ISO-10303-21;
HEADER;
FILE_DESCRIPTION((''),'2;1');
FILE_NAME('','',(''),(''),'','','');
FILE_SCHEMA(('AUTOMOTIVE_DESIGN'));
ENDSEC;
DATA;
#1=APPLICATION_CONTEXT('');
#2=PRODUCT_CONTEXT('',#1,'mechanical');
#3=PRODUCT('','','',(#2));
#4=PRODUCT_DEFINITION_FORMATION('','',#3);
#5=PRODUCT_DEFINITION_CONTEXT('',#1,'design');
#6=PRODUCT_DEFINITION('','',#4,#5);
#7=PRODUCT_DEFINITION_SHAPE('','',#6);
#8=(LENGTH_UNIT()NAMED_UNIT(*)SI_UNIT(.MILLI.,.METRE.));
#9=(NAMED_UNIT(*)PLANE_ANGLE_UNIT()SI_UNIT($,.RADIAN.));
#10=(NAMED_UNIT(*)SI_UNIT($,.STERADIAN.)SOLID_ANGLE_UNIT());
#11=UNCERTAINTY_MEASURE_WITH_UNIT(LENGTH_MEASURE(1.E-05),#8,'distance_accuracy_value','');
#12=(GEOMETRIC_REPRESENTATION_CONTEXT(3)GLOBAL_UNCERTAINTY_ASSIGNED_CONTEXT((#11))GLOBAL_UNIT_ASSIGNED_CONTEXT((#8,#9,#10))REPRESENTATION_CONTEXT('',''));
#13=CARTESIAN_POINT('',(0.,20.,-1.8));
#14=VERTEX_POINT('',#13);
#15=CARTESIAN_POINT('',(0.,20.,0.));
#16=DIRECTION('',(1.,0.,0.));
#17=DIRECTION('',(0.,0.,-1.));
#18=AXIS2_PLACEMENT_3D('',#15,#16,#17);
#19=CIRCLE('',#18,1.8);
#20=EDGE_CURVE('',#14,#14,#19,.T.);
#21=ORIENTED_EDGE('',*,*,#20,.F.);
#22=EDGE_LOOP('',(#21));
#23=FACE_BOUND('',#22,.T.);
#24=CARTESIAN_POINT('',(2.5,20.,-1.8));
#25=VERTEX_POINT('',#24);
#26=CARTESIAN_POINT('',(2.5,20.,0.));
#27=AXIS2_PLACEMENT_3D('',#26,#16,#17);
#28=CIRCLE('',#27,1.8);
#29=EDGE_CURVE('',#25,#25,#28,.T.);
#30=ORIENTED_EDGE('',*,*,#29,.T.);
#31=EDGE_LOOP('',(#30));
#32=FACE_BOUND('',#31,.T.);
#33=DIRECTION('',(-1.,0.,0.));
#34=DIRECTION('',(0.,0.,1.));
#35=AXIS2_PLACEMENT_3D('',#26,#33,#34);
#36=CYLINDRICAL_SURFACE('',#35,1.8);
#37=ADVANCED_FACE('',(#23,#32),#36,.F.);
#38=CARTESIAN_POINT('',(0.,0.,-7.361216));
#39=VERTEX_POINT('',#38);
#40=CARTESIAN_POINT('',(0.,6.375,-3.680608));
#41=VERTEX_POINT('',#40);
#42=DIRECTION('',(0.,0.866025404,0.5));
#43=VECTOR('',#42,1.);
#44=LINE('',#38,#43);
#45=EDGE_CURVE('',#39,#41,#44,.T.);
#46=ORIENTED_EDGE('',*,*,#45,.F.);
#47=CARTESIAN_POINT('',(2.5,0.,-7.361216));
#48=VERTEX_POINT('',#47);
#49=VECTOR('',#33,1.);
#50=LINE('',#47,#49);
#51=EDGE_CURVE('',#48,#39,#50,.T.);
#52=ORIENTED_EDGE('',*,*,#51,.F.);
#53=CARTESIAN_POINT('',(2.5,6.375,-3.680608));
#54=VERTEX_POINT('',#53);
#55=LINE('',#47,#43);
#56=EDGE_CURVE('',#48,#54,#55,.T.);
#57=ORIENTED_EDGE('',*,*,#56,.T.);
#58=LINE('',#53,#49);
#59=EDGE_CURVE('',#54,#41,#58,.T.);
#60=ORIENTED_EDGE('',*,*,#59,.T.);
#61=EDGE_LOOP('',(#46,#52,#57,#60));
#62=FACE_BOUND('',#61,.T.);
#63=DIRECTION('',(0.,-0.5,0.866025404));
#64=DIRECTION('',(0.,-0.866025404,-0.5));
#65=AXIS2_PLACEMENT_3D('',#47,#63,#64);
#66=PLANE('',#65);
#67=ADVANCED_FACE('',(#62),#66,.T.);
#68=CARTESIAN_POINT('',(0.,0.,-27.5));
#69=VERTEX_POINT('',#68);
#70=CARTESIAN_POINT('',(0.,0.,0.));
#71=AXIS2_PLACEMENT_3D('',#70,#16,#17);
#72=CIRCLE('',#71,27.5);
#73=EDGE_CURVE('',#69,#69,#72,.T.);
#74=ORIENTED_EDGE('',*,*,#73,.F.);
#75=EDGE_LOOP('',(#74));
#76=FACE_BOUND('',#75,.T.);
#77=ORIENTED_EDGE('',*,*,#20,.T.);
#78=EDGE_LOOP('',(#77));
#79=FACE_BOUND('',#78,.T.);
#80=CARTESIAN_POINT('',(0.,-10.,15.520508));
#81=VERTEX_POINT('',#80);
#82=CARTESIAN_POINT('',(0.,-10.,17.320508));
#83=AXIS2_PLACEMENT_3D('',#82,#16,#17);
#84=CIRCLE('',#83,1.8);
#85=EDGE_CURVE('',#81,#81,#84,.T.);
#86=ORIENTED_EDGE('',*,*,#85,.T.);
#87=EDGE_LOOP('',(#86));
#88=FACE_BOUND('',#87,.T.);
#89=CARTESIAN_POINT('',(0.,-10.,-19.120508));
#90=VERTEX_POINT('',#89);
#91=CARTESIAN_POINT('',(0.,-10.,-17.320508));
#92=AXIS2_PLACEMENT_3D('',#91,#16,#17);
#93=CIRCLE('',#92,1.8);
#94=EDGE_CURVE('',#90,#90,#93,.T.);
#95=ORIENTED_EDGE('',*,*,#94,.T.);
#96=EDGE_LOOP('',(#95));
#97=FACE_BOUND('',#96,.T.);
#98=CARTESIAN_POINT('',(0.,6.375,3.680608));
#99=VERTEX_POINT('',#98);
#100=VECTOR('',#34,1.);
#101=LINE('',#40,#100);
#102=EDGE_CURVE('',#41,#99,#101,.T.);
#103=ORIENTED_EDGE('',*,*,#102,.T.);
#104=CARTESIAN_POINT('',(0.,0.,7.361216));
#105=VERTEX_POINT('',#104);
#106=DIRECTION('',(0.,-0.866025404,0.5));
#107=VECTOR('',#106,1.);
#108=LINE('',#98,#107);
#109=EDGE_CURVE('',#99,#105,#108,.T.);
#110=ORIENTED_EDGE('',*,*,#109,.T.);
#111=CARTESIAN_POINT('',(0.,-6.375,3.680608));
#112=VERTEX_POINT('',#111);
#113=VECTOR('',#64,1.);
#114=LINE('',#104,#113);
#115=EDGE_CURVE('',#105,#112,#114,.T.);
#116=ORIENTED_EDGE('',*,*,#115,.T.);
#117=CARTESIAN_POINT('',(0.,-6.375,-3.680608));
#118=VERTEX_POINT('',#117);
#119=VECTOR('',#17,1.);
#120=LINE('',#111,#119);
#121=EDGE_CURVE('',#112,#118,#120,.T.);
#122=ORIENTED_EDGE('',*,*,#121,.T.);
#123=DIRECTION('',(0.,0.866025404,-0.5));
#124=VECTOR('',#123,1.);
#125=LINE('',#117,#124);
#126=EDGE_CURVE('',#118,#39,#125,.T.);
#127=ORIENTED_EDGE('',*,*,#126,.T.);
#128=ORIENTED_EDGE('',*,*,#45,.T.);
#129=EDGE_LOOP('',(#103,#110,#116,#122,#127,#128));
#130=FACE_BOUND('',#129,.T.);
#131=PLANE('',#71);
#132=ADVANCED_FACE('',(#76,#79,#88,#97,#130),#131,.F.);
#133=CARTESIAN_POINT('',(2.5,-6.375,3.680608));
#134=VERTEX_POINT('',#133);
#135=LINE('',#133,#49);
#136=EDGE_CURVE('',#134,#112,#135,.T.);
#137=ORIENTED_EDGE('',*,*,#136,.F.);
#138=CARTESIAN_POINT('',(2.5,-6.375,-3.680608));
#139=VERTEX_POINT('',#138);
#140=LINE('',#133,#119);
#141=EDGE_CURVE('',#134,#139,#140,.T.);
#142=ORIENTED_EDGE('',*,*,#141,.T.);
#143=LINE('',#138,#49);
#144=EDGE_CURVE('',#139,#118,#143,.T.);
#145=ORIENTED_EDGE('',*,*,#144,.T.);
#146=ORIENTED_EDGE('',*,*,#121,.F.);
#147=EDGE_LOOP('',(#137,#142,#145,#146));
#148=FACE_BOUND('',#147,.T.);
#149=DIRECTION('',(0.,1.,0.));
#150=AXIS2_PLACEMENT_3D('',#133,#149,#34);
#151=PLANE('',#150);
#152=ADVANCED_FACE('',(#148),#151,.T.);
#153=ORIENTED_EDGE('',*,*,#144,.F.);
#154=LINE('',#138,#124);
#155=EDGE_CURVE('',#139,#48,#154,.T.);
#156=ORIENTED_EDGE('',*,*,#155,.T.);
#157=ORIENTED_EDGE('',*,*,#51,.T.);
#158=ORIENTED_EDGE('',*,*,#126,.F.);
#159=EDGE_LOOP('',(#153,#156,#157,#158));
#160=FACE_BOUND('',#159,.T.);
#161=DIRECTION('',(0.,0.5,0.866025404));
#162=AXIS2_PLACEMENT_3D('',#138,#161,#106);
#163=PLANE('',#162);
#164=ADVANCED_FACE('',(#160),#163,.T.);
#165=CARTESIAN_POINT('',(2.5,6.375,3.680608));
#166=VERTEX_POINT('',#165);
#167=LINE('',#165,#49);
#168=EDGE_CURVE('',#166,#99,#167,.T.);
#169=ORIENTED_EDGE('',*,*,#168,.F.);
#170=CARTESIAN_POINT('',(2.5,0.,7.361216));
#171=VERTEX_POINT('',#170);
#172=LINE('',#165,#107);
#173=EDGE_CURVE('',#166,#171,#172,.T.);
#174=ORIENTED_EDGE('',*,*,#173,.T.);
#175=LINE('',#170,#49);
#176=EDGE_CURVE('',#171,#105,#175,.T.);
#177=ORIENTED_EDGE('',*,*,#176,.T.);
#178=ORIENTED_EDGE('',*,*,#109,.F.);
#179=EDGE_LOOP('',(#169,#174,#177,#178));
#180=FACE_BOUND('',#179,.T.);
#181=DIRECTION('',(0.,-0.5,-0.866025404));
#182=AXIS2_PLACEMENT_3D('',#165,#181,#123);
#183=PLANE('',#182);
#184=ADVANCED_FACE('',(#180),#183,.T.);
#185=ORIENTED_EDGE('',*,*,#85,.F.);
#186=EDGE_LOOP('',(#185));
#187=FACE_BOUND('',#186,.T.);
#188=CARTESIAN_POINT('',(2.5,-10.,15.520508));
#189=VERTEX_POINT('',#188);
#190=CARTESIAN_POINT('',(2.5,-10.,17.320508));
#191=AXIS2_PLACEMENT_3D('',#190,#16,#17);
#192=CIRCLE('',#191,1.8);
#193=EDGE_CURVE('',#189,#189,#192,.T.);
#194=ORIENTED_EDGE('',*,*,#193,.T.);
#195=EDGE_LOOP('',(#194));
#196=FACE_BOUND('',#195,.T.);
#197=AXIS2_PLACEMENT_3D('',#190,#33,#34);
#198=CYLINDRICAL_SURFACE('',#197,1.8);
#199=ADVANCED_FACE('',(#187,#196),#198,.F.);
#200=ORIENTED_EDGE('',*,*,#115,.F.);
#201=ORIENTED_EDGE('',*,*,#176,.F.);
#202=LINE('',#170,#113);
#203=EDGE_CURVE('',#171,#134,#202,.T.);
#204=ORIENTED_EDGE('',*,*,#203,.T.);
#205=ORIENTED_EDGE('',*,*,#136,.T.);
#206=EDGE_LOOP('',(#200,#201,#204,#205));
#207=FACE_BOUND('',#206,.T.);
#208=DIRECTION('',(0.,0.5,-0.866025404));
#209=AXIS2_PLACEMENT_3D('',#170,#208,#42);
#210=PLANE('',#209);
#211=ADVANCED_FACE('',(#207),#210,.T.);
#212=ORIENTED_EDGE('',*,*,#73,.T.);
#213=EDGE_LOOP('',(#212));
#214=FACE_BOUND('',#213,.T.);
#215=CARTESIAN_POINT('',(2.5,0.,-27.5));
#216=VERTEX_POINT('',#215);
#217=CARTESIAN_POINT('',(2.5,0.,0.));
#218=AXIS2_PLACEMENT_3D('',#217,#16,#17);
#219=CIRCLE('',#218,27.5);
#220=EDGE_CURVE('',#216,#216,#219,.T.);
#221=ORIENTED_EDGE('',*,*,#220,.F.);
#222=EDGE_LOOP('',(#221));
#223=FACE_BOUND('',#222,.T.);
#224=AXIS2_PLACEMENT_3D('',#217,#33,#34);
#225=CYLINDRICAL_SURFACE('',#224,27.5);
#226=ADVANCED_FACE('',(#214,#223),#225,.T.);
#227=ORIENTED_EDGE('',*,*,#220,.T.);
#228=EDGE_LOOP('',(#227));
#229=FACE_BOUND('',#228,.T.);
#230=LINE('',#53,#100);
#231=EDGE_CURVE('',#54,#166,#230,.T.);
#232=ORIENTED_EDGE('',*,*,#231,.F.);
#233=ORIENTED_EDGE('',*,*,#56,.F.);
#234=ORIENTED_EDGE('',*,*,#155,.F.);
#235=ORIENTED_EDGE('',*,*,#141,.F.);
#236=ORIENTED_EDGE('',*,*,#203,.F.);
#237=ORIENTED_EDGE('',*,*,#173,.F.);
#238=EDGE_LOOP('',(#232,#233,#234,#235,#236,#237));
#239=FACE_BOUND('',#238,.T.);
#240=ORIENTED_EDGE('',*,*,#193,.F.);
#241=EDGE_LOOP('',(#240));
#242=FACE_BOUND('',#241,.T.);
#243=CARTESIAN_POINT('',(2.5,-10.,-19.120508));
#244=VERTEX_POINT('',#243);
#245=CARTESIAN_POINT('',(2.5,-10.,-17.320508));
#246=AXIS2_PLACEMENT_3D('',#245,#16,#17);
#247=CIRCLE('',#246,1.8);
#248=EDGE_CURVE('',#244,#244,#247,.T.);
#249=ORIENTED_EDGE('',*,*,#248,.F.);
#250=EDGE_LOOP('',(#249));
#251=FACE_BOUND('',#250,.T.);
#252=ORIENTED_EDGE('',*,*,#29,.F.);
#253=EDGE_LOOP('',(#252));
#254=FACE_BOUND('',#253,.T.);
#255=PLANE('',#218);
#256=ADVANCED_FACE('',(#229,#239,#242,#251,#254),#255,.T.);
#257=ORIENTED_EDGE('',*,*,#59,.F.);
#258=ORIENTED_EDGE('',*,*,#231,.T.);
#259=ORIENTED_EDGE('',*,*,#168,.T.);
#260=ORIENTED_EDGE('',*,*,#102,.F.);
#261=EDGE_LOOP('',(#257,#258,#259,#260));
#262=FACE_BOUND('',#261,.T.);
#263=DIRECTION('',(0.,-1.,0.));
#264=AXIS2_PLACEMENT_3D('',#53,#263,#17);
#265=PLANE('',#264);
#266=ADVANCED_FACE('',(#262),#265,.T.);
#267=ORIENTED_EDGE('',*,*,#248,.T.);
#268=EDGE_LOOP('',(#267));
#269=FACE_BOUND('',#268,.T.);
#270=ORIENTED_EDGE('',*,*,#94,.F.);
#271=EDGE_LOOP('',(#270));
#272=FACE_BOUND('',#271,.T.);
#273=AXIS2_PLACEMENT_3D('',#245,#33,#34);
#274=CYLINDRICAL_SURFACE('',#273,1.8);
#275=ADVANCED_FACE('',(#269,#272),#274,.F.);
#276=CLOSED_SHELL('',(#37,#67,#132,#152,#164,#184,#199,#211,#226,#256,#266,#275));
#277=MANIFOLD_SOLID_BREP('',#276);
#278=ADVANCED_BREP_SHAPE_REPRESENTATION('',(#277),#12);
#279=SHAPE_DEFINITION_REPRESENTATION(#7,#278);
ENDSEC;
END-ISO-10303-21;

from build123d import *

# Parameters (mm, degrees)
SKETCH1_R           = 27.5
SKETCH1_R_2         = 1.8
BOSS_EXTRUDE1_DEPTH = 2.5


with BuildPart() as part:
    # Sketch1 → Boss-Extrude1 (new body)
    with BuildSketch(Plane(origin=(0, 0, 0), x_dir=(0, 0, -1), z_dir=(1, 0, 0))):
        Circle(SKETCH1_R)
        with Locations((0, 20)):
            Circle(SKETCH1_R_2, mode=Mode.SUBTRACT)
        with Locations((-17.320508076, -10)):
            Circle(SKETCH1_R_2, mode=Mode.SUBTRACT)
        with Locations((17.320508076, -10)):
            Circle(SKETCH1_R_2, mode=Mode.SUBTRACT)
        Polygon((3.680607966, 6.375), (-3.680607966, 6.375), (-7.361215932, 0), (-3.680607966, -6.375), (3.680607966, -6.375), (7.361215932, 0), align=None, mode=Mode.SUBTRACT)
    extrude(amount=BOSS_EXTRUDE1_DEPTH)


solid = part.part
